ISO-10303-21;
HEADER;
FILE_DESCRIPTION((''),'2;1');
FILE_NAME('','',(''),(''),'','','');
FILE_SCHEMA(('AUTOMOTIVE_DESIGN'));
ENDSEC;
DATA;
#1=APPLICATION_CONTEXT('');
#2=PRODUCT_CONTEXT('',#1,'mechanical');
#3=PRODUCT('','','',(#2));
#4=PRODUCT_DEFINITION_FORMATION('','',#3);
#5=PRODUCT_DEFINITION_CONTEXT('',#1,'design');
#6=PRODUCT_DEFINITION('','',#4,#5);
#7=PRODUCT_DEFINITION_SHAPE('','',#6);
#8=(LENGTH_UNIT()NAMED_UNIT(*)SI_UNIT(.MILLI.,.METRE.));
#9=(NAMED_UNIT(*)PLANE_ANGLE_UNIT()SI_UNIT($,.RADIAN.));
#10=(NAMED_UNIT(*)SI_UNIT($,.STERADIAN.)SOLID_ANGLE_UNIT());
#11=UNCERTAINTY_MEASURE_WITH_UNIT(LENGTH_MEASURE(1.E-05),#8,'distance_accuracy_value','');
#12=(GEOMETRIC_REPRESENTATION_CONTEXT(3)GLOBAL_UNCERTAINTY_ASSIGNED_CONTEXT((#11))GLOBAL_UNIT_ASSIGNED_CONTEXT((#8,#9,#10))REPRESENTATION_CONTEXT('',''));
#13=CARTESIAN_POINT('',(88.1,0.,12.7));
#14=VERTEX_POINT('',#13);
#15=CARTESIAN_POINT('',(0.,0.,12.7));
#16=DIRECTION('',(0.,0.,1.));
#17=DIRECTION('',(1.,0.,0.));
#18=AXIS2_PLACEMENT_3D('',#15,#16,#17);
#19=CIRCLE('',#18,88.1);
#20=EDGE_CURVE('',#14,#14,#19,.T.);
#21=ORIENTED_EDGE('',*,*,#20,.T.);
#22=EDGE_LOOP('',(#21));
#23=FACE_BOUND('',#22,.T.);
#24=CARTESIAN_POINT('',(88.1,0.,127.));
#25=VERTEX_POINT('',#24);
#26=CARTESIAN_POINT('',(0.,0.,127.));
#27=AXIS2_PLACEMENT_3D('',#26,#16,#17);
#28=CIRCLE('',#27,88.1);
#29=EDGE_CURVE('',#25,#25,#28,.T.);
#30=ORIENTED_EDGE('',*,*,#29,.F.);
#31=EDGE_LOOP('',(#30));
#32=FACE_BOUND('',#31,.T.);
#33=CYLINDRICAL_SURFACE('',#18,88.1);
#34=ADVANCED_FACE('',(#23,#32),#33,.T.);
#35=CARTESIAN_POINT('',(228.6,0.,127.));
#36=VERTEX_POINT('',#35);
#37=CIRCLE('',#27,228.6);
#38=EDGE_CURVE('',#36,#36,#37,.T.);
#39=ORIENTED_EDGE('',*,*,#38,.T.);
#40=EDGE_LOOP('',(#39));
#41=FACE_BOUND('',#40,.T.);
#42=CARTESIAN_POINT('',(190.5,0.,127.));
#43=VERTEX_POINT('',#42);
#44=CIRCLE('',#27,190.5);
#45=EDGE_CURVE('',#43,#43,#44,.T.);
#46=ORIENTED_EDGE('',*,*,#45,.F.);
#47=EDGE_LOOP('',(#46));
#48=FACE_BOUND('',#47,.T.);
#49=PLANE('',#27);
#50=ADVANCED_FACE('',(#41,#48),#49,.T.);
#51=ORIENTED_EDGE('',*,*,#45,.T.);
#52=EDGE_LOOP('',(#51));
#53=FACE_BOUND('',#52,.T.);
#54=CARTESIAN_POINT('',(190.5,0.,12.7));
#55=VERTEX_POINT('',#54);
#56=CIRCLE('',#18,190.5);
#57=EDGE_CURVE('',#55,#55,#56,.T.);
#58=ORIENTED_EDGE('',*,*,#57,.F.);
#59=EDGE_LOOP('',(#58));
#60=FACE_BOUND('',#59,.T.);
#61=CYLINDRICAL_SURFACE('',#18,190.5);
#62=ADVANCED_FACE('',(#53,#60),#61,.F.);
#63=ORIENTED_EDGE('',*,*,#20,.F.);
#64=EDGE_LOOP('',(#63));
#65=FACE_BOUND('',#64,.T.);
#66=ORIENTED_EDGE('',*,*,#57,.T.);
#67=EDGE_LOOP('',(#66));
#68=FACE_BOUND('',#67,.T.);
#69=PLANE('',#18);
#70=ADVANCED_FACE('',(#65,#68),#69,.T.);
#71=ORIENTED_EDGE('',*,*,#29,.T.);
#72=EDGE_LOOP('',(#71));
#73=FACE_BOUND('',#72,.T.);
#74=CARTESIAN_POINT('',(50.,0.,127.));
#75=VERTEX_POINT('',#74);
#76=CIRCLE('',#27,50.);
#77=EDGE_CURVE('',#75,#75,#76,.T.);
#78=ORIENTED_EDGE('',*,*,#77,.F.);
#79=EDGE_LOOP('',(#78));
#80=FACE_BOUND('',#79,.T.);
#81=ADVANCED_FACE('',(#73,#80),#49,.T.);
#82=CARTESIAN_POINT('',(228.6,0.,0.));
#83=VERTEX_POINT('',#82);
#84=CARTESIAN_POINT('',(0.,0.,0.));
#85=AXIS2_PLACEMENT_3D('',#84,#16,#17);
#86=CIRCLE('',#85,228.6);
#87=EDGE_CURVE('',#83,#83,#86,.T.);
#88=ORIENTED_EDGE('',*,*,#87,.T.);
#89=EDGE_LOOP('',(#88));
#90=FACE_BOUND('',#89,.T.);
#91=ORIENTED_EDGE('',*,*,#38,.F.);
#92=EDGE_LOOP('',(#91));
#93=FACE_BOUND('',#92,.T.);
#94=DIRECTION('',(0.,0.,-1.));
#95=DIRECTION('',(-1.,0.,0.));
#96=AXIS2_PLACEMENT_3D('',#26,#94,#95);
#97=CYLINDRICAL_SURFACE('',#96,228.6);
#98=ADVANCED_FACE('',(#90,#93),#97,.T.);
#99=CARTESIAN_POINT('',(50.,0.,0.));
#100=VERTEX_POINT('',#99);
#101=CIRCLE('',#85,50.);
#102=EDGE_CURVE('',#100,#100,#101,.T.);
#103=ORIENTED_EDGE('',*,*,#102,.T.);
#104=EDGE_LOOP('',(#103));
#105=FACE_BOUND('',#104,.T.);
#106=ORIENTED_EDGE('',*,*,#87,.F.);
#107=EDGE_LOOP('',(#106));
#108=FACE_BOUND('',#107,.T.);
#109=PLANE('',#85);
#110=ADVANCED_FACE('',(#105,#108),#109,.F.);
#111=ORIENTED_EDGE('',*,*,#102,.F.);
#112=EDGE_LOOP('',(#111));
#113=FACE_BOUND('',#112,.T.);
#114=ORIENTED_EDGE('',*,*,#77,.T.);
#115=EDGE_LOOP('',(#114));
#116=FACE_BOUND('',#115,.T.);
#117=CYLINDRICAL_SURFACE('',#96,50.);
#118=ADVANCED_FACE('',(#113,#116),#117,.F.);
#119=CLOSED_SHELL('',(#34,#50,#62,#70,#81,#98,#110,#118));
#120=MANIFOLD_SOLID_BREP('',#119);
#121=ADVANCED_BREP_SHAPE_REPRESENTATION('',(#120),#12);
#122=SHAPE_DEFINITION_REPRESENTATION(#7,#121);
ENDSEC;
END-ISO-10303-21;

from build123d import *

# Parameters (mm, degrees)
SKETCH2_R           = 228.6
SKETCH2_R_2         = 50
BOSS_EXTRUDE1_DEPTH = 127
SKETCH5_R           = 190.5
SKETCH5_R_2         = 88.1
CUT_EXTRUDE1_DEPTH  = 114.3


with BuildPart() as part:
    # Sketch2 → Boss-Extrude1 (new body)
    with BuildSketch(Plane.XY):
        Circle(SKETCH2_R)
        Circle(SKETCH2_R_2, mode=Mode.SUBTRACT)
    extrude(amount=BOSS_EXTRUDE1_DEPTH)

    # Sketch5 → Cut-Extrude1 (cut)
    with BuildSketch(Plane.XY.offset(127)):
        Circle(SKETCH5_R)
        Circle(SKETCH5_R_2, mode=Mode.SUBTRACT)
    extrude(amount=-CUT_EXTRUDE1_DEPTH, mode=Mode.SUBTRACT)


solid = part.part
